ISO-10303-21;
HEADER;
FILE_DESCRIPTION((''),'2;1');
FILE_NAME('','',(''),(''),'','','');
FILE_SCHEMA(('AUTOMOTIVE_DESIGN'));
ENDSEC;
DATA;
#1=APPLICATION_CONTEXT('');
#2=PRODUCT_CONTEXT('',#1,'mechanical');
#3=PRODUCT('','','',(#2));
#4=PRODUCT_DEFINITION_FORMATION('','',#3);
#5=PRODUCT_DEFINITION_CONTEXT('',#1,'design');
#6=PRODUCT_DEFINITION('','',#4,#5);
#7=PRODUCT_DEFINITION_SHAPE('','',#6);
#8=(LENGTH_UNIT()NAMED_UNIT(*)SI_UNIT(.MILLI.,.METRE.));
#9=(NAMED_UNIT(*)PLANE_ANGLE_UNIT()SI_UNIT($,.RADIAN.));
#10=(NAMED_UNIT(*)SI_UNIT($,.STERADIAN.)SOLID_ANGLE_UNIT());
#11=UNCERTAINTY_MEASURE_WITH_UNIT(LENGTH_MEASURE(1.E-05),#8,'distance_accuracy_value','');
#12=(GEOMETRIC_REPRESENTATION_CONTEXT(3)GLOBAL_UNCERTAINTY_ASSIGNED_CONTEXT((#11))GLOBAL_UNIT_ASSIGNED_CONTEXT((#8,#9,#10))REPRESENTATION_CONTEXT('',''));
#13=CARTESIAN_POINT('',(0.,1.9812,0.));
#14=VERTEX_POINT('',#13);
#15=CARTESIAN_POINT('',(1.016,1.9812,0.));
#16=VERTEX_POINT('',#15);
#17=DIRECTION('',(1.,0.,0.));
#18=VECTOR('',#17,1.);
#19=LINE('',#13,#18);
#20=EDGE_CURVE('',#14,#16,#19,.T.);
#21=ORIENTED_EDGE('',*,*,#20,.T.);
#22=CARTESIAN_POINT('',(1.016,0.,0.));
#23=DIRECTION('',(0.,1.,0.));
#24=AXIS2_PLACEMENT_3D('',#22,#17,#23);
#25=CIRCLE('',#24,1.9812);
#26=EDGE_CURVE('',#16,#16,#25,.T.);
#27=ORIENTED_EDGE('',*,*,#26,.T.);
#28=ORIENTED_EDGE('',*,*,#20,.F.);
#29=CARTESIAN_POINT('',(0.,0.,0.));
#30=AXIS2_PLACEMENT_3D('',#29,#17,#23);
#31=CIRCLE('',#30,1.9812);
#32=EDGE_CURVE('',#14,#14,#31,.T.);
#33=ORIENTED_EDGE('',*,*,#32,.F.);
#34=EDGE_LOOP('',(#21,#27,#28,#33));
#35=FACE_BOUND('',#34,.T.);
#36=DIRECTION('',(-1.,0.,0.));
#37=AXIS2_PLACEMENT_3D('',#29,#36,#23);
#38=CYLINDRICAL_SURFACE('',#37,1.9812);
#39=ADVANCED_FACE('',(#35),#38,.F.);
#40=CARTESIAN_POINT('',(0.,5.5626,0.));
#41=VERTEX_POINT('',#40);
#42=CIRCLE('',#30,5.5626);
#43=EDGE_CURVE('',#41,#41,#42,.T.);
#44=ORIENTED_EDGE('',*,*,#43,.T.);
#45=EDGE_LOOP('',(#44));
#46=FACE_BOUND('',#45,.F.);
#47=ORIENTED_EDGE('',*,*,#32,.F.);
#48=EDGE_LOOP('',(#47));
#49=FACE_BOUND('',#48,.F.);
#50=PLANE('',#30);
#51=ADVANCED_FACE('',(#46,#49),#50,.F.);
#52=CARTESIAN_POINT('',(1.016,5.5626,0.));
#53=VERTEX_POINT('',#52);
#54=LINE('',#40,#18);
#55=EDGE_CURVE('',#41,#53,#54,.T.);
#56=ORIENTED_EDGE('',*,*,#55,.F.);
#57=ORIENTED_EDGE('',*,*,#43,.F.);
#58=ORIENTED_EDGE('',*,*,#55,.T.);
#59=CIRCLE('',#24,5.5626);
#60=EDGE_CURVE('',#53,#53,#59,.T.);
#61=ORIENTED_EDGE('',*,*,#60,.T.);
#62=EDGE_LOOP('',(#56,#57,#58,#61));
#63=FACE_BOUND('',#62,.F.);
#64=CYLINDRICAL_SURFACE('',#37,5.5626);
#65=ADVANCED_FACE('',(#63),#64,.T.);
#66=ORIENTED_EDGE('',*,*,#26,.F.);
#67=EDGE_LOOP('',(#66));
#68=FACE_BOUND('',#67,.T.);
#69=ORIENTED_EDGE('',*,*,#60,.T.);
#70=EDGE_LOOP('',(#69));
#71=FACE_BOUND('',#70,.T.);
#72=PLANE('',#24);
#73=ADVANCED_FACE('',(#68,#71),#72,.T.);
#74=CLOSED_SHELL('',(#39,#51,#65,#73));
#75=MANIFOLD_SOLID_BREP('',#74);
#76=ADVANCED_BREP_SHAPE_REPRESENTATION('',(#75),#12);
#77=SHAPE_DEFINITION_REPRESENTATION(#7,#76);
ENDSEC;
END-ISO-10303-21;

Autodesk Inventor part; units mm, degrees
ref_plane "YZ Plane" through (0, 0, 0) normal (1, 0, 0) x (0, 1, 0)
ref_plane "XZ Plane" through (0, 0, 0) normal (0, 1, 0) x (-1, 0, 0)
sketch "Sketch" plane through (0, 0, 0) normal (1, 0, 0) x (0, 1, 0)
  circle A0 centre (0, 0) radius 5.5626
  circle A1 centre (0, 0) radius 1.9812
  dimension "d0" = 3.9624
  dimension "d1" = 11.1252
extrude "Body" add sketch "Sketch" along normal blind 1.016
ref_plane "Work Plane1" through (0, 0, 0) normal (0, 0, 1) x (1, 0, 0)
equation "\"d0\" = SD1"
equation "\"d1\" = SD2"
equation "\"d2\" = SD"
equation "\"SD1\" = 3.9624"
equation "\"SD2\" = 11.1252"
equation "\"SD\" = 1.016"
equation "\"NND\" = 3.5052"
properties part number "ANSI B18.22.1 - No. 6 - Regular - Type B" material "Steel, Mild"
